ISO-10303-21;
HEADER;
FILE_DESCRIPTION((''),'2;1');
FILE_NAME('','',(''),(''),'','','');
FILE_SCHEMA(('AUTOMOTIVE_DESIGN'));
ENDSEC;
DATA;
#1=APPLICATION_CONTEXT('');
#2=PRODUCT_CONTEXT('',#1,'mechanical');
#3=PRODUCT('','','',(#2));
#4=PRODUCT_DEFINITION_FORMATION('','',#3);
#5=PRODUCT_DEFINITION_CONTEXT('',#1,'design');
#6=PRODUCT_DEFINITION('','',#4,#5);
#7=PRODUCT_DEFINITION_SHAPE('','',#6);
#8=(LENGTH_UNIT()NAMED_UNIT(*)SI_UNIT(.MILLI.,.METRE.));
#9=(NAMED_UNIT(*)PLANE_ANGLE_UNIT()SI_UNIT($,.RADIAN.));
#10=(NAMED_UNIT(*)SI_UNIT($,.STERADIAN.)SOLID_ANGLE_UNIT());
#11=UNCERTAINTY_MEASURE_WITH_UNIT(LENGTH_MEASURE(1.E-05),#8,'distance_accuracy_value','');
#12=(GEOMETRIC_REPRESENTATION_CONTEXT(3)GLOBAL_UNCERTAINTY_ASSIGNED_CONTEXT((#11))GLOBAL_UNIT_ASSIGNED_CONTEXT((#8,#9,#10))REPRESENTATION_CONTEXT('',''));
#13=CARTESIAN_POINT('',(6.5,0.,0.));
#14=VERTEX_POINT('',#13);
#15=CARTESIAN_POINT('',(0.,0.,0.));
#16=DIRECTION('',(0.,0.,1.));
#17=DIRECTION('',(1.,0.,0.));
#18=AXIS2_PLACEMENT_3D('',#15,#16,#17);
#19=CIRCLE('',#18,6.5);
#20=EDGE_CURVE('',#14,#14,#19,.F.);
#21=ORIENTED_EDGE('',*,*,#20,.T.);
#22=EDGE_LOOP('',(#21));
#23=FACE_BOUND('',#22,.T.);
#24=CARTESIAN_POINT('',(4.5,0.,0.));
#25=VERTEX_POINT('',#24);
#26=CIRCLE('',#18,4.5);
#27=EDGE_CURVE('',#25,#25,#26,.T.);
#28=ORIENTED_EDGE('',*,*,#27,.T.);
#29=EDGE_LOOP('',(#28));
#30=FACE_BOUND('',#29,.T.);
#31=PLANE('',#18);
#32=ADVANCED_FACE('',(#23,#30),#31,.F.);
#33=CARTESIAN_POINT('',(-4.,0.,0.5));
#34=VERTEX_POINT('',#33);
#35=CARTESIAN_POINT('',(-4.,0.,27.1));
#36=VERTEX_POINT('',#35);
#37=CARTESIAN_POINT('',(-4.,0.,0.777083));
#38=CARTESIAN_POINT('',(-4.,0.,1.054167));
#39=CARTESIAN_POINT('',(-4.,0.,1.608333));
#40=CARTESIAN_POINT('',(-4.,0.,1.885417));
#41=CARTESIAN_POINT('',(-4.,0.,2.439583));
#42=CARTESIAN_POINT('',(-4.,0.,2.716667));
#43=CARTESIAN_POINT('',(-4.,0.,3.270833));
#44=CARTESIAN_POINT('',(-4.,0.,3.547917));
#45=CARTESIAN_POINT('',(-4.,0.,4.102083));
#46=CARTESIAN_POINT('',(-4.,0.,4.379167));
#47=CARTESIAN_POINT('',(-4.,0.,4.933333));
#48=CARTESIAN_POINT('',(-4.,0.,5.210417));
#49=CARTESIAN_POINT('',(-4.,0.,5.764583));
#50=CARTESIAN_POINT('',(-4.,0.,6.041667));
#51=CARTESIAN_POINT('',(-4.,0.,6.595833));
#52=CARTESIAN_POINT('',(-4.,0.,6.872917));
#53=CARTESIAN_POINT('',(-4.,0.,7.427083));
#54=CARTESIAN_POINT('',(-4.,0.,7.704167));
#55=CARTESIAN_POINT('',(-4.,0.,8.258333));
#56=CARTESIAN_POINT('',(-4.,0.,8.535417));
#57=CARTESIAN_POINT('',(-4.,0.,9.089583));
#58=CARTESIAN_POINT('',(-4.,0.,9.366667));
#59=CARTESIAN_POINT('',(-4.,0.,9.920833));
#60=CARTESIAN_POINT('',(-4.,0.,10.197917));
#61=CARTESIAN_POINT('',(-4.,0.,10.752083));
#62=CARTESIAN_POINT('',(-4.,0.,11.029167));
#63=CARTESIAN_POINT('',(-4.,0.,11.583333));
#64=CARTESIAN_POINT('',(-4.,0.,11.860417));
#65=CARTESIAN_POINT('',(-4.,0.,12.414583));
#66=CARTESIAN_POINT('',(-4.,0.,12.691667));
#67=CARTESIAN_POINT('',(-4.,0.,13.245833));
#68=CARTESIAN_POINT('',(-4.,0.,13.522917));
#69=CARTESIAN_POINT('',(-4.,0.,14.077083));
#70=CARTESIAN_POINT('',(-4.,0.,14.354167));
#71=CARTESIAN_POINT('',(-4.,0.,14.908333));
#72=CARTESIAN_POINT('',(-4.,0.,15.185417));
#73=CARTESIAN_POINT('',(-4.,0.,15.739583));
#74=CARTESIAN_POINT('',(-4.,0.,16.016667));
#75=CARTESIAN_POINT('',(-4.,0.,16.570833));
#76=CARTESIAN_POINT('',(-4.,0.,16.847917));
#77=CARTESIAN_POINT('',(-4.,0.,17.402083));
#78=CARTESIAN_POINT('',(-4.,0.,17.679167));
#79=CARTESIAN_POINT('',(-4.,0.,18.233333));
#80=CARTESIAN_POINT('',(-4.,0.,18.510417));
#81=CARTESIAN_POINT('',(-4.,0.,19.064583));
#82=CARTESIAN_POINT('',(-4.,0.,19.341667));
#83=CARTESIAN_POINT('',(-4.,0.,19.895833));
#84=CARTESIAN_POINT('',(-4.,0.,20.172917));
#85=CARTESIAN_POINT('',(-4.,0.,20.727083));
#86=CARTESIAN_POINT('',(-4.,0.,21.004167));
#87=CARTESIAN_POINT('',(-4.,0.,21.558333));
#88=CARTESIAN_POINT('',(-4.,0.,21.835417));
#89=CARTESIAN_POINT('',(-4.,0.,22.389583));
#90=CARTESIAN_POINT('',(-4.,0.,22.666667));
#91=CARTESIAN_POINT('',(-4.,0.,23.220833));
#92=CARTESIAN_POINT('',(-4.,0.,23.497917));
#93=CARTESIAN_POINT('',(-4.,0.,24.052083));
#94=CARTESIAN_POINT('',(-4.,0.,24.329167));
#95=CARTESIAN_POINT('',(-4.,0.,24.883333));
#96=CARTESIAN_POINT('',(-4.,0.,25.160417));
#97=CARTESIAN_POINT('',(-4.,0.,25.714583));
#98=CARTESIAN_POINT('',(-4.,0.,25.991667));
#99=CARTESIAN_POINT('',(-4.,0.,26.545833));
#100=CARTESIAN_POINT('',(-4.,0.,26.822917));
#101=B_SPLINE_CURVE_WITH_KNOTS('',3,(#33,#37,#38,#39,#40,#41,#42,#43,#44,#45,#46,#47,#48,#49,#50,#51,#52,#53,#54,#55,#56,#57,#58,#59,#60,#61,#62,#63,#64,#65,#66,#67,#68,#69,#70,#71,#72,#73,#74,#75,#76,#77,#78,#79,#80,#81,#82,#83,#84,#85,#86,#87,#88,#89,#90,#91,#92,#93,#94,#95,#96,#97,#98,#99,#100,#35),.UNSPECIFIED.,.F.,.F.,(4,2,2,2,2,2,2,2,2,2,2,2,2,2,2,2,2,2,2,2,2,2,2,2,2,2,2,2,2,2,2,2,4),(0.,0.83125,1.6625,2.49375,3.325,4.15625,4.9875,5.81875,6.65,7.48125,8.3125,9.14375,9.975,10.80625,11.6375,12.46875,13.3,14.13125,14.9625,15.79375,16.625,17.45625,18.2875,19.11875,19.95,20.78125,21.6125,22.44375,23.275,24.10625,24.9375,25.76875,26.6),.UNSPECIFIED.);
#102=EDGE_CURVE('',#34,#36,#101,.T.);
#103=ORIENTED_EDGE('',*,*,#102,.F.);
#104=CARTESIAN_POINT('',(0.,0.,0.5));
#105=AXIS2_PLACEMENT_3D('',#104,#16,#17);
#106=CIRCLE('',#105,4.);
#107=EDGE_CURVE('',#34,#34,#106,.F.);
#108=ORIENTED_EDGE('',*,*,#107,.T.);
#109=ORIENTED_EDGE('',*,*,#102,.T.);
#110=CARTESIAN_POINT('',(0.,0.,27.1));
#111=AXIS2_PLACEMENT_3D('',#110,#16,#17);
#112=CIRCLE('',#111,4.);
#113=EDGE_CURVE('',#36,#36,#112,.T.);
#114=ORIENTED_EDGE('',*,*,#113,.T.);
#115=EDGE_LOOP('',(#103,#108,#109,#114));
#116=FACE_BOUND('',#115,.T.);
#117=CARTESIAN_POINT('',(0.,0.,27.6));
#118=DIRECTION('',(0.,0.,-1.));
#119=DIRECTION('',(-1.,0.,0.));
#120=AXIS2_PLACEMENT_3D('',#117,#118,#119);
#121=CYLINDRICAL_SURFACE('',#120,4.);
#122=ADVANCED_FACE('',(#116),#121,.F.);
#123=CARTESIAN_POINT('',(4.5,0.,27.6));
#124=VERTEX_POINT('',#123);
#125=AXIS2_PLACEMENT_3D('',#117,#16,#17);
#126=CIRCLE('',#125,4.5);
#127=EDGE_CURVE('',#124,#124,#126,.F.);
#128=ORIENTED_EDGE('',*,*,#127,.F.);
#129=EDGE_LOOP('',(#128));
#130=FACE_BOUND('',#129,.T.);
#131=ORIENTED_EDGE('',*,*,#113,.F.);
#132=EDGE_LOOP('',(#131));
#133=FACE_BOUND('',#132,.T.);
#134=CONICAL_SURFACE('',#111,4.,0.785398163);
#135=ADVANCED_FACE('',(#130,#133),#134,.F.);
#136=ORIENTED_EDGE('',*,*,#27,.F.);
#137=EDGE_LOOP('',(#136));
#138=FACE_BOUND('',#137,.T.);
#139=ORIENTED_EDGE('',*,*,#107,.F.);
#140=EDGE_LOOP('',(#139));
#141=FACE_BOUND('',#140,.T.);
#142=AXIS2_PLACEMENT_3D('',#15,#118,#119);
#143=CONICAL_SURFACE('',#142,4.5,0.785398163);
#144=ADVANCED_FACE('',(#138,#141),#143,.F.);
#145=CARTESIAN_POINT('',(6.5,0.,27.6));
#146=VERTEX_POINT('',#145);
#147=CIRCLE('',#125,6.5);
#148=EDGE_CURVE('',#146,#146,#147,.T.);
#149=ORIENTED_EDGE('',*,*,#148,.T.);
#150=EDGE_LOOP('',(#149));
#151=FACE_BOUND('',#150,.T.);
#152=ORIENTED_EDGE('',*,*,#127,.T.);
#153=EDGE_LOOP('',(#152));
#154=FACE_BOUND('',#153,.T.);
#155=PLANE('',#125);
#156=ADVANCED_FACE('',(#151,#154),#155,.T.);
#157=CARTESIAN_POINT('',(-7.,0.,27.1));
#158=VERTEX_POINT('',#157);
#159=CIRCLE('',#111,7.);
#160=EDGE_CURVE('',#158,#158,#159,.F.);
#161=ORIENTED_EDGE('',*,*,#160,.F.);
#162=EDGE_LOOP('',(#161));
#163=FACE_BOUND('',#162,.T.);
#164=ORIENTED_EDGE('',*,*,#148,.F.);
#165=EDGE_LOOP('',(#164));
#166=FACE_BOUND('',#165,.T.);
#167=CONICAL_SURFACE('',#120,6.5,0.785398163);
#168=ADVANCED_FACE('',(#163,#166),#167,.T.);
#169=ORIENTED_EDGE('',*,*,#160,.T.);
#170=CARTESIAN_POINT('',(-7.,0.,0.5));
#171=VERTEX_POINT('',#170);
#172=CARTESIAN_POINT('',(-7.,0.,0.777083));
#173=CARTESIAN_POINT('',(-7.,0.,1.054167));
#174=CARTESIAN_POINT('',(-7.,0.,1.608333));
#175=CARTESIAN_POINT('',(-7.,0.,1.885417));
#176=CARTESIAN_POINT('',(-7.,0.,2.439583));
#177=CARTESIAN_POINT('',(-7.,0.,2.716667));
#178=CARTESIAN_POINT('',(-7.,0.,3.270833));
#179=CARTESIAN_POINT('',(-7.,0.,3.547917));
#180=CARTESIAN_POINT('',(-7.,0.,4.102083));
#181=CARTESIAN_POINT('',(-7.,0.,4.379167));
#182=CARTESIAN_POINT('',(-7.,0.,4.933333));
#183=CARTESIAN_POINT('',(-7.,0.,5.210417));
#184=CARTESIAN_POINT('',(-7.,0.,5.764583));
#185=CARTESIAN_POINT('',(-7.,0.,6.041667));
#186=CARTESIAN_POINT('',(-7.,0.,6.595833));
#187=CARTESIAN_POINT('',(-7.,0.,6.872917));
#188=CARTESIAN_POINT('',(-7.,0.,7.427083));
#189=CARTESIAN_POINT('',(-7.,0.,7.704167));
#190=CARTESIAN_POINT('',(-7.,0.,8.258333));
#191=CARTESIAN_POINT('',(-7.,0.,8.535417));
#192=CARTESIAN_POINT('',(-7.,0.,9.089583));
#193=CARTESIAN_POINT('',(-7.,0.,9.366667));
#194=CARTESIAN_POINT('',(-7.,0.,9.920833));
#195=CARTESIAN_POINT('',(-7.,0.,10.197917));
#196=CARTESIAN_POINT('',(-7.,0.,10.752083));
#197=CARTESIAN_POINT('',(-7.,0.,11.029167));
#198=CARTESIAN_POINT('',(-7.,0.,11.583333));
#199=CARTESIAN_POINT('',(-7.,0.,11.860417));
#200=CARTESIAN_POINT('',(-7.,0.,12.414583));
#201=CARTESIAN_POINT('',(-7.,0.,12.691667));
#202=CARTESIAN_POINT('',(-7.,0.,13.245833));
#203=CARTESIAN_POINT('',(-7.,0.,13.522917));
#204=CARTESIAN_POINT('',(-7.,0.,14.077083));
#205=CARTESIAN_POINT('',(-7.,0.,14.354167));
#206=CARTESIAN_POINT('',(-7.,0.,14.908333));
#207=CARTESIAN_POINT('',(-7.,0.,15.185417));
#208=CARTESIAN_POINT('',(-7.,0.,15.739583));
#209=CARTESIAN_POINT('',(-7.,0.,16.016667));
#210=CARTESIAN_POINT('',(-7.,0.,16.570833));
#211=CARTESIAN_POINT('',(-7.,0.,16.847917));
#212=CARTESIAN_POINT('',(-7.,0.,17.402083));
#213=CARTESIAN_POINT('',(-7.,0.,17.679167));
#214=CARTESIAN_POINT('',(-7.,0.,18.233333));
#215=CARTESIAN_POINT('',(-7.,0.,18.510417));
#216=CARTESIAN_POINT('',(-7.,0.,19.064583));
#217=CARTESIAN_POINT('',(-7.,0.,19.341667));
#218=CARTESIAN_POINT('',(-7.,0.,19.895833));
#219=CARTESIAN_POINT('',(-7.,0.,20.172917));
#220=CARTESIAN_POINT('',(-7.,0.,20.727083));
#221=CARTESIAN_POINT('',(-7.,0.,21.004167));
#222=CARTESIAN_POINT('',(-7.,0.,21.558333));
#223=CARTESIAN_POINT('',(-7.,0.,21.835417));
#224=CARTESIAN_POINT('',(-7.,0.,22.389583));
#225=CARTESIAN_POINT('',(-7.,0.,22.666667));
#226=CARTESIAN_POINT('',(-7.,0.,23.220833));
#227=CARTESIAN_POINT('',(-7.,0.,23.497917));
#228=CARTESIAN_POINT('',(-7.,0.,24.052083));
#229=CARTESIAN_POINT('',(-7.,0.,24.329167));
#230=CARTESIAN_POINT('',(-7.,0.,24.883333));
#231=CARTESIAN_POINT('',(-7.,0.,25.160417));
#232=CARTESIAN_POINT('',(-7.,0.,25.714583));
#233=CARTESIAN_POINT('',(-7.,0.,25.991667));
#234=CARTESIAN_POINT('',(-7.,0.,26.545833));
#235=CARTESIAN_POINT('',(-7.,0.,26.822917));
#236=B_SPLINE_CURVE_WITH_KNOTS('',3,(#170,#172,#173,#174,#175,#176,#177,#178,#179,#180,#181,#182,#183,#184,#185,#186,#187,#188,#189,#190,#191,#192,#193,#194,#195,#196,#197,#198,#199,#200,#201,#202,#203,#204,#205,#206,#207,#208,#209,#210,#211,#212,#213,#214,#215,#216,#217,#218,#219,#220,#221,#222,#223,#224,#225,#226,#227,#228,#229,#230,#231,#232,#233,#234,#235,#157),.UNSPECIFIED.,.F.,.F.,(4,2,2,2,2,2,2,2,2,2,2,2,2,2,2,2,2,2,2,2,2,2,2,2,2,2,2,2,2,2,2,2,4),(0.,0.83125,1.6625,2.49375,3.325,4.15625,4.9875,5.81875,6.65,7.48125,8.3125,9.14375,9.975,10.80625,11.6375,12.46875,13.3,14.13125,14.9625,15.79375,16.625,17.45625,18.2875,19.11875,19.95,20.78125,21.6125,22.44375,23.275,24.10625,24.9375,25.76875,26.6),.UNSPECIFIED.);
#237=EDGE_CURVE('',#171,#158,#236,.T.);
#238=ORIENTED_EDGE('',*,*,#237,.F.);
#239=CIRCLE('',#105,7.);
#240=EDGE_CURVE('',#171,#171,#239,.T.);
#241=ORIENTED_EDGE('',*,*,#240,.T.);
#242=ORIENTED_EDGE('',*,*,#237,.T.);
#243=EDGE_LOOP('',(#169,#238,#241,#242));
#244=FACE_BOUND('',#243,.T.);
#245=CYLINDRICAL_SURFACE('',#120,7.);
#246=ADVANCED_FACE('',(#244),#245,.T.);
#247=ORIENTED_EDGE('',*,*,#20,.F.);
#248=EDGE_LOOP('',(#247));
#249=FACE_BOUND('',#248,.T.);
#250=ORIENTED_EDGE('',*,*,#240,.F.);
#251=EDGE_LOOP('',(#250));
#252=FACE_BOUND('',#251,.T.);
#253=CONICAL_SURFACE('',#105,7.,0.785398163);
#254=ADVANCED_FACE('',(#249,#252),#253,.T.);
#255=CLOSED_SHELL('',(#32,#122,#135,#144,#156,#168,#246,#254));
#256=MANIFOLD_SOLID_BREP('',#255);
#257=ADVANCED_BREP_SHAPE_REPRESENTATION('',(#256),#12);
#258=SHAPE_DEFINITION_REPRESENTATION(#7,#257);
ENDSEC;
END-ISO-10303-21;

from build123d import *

# Parameters (mm, degrees)
ESQUISSE1_R          = 7
ESQUISSE1_R_2        = 4
BASE_EXTRUSION_DEPTH = 27.6
CHANFREIN2_SIZE      = 0.5


with BuildPart() as part:
    # Esquisse1 → Base-Extrusion (new body)
    with BuildSketch(Plane.XY):
        with Locations(Location((0, 0, 0), (0, 0, 180))):
            Circle(ESQUISSE1_R)
        with Locations(Location((0, 0, 0), (0, 0, 180))):
            Circle(ESQUISSE1_R_2, mode=Mode.SUBTRACT)
    extrude(amount=BASE_EXTRUSION_DEPTH)

    # Chanfrein2
    chanfrein2_edges = [part.edges().sort_by_distance(p)[0] for p in [
        (7, 0, 0),
        (7, 0, 27.6),
        (4, 0, 0),
        (4, 0, 27.6),
    ]]
    chamfer(chanfrein2_edges, length=CHANFREIN2_SIZE)


solid = part.part
